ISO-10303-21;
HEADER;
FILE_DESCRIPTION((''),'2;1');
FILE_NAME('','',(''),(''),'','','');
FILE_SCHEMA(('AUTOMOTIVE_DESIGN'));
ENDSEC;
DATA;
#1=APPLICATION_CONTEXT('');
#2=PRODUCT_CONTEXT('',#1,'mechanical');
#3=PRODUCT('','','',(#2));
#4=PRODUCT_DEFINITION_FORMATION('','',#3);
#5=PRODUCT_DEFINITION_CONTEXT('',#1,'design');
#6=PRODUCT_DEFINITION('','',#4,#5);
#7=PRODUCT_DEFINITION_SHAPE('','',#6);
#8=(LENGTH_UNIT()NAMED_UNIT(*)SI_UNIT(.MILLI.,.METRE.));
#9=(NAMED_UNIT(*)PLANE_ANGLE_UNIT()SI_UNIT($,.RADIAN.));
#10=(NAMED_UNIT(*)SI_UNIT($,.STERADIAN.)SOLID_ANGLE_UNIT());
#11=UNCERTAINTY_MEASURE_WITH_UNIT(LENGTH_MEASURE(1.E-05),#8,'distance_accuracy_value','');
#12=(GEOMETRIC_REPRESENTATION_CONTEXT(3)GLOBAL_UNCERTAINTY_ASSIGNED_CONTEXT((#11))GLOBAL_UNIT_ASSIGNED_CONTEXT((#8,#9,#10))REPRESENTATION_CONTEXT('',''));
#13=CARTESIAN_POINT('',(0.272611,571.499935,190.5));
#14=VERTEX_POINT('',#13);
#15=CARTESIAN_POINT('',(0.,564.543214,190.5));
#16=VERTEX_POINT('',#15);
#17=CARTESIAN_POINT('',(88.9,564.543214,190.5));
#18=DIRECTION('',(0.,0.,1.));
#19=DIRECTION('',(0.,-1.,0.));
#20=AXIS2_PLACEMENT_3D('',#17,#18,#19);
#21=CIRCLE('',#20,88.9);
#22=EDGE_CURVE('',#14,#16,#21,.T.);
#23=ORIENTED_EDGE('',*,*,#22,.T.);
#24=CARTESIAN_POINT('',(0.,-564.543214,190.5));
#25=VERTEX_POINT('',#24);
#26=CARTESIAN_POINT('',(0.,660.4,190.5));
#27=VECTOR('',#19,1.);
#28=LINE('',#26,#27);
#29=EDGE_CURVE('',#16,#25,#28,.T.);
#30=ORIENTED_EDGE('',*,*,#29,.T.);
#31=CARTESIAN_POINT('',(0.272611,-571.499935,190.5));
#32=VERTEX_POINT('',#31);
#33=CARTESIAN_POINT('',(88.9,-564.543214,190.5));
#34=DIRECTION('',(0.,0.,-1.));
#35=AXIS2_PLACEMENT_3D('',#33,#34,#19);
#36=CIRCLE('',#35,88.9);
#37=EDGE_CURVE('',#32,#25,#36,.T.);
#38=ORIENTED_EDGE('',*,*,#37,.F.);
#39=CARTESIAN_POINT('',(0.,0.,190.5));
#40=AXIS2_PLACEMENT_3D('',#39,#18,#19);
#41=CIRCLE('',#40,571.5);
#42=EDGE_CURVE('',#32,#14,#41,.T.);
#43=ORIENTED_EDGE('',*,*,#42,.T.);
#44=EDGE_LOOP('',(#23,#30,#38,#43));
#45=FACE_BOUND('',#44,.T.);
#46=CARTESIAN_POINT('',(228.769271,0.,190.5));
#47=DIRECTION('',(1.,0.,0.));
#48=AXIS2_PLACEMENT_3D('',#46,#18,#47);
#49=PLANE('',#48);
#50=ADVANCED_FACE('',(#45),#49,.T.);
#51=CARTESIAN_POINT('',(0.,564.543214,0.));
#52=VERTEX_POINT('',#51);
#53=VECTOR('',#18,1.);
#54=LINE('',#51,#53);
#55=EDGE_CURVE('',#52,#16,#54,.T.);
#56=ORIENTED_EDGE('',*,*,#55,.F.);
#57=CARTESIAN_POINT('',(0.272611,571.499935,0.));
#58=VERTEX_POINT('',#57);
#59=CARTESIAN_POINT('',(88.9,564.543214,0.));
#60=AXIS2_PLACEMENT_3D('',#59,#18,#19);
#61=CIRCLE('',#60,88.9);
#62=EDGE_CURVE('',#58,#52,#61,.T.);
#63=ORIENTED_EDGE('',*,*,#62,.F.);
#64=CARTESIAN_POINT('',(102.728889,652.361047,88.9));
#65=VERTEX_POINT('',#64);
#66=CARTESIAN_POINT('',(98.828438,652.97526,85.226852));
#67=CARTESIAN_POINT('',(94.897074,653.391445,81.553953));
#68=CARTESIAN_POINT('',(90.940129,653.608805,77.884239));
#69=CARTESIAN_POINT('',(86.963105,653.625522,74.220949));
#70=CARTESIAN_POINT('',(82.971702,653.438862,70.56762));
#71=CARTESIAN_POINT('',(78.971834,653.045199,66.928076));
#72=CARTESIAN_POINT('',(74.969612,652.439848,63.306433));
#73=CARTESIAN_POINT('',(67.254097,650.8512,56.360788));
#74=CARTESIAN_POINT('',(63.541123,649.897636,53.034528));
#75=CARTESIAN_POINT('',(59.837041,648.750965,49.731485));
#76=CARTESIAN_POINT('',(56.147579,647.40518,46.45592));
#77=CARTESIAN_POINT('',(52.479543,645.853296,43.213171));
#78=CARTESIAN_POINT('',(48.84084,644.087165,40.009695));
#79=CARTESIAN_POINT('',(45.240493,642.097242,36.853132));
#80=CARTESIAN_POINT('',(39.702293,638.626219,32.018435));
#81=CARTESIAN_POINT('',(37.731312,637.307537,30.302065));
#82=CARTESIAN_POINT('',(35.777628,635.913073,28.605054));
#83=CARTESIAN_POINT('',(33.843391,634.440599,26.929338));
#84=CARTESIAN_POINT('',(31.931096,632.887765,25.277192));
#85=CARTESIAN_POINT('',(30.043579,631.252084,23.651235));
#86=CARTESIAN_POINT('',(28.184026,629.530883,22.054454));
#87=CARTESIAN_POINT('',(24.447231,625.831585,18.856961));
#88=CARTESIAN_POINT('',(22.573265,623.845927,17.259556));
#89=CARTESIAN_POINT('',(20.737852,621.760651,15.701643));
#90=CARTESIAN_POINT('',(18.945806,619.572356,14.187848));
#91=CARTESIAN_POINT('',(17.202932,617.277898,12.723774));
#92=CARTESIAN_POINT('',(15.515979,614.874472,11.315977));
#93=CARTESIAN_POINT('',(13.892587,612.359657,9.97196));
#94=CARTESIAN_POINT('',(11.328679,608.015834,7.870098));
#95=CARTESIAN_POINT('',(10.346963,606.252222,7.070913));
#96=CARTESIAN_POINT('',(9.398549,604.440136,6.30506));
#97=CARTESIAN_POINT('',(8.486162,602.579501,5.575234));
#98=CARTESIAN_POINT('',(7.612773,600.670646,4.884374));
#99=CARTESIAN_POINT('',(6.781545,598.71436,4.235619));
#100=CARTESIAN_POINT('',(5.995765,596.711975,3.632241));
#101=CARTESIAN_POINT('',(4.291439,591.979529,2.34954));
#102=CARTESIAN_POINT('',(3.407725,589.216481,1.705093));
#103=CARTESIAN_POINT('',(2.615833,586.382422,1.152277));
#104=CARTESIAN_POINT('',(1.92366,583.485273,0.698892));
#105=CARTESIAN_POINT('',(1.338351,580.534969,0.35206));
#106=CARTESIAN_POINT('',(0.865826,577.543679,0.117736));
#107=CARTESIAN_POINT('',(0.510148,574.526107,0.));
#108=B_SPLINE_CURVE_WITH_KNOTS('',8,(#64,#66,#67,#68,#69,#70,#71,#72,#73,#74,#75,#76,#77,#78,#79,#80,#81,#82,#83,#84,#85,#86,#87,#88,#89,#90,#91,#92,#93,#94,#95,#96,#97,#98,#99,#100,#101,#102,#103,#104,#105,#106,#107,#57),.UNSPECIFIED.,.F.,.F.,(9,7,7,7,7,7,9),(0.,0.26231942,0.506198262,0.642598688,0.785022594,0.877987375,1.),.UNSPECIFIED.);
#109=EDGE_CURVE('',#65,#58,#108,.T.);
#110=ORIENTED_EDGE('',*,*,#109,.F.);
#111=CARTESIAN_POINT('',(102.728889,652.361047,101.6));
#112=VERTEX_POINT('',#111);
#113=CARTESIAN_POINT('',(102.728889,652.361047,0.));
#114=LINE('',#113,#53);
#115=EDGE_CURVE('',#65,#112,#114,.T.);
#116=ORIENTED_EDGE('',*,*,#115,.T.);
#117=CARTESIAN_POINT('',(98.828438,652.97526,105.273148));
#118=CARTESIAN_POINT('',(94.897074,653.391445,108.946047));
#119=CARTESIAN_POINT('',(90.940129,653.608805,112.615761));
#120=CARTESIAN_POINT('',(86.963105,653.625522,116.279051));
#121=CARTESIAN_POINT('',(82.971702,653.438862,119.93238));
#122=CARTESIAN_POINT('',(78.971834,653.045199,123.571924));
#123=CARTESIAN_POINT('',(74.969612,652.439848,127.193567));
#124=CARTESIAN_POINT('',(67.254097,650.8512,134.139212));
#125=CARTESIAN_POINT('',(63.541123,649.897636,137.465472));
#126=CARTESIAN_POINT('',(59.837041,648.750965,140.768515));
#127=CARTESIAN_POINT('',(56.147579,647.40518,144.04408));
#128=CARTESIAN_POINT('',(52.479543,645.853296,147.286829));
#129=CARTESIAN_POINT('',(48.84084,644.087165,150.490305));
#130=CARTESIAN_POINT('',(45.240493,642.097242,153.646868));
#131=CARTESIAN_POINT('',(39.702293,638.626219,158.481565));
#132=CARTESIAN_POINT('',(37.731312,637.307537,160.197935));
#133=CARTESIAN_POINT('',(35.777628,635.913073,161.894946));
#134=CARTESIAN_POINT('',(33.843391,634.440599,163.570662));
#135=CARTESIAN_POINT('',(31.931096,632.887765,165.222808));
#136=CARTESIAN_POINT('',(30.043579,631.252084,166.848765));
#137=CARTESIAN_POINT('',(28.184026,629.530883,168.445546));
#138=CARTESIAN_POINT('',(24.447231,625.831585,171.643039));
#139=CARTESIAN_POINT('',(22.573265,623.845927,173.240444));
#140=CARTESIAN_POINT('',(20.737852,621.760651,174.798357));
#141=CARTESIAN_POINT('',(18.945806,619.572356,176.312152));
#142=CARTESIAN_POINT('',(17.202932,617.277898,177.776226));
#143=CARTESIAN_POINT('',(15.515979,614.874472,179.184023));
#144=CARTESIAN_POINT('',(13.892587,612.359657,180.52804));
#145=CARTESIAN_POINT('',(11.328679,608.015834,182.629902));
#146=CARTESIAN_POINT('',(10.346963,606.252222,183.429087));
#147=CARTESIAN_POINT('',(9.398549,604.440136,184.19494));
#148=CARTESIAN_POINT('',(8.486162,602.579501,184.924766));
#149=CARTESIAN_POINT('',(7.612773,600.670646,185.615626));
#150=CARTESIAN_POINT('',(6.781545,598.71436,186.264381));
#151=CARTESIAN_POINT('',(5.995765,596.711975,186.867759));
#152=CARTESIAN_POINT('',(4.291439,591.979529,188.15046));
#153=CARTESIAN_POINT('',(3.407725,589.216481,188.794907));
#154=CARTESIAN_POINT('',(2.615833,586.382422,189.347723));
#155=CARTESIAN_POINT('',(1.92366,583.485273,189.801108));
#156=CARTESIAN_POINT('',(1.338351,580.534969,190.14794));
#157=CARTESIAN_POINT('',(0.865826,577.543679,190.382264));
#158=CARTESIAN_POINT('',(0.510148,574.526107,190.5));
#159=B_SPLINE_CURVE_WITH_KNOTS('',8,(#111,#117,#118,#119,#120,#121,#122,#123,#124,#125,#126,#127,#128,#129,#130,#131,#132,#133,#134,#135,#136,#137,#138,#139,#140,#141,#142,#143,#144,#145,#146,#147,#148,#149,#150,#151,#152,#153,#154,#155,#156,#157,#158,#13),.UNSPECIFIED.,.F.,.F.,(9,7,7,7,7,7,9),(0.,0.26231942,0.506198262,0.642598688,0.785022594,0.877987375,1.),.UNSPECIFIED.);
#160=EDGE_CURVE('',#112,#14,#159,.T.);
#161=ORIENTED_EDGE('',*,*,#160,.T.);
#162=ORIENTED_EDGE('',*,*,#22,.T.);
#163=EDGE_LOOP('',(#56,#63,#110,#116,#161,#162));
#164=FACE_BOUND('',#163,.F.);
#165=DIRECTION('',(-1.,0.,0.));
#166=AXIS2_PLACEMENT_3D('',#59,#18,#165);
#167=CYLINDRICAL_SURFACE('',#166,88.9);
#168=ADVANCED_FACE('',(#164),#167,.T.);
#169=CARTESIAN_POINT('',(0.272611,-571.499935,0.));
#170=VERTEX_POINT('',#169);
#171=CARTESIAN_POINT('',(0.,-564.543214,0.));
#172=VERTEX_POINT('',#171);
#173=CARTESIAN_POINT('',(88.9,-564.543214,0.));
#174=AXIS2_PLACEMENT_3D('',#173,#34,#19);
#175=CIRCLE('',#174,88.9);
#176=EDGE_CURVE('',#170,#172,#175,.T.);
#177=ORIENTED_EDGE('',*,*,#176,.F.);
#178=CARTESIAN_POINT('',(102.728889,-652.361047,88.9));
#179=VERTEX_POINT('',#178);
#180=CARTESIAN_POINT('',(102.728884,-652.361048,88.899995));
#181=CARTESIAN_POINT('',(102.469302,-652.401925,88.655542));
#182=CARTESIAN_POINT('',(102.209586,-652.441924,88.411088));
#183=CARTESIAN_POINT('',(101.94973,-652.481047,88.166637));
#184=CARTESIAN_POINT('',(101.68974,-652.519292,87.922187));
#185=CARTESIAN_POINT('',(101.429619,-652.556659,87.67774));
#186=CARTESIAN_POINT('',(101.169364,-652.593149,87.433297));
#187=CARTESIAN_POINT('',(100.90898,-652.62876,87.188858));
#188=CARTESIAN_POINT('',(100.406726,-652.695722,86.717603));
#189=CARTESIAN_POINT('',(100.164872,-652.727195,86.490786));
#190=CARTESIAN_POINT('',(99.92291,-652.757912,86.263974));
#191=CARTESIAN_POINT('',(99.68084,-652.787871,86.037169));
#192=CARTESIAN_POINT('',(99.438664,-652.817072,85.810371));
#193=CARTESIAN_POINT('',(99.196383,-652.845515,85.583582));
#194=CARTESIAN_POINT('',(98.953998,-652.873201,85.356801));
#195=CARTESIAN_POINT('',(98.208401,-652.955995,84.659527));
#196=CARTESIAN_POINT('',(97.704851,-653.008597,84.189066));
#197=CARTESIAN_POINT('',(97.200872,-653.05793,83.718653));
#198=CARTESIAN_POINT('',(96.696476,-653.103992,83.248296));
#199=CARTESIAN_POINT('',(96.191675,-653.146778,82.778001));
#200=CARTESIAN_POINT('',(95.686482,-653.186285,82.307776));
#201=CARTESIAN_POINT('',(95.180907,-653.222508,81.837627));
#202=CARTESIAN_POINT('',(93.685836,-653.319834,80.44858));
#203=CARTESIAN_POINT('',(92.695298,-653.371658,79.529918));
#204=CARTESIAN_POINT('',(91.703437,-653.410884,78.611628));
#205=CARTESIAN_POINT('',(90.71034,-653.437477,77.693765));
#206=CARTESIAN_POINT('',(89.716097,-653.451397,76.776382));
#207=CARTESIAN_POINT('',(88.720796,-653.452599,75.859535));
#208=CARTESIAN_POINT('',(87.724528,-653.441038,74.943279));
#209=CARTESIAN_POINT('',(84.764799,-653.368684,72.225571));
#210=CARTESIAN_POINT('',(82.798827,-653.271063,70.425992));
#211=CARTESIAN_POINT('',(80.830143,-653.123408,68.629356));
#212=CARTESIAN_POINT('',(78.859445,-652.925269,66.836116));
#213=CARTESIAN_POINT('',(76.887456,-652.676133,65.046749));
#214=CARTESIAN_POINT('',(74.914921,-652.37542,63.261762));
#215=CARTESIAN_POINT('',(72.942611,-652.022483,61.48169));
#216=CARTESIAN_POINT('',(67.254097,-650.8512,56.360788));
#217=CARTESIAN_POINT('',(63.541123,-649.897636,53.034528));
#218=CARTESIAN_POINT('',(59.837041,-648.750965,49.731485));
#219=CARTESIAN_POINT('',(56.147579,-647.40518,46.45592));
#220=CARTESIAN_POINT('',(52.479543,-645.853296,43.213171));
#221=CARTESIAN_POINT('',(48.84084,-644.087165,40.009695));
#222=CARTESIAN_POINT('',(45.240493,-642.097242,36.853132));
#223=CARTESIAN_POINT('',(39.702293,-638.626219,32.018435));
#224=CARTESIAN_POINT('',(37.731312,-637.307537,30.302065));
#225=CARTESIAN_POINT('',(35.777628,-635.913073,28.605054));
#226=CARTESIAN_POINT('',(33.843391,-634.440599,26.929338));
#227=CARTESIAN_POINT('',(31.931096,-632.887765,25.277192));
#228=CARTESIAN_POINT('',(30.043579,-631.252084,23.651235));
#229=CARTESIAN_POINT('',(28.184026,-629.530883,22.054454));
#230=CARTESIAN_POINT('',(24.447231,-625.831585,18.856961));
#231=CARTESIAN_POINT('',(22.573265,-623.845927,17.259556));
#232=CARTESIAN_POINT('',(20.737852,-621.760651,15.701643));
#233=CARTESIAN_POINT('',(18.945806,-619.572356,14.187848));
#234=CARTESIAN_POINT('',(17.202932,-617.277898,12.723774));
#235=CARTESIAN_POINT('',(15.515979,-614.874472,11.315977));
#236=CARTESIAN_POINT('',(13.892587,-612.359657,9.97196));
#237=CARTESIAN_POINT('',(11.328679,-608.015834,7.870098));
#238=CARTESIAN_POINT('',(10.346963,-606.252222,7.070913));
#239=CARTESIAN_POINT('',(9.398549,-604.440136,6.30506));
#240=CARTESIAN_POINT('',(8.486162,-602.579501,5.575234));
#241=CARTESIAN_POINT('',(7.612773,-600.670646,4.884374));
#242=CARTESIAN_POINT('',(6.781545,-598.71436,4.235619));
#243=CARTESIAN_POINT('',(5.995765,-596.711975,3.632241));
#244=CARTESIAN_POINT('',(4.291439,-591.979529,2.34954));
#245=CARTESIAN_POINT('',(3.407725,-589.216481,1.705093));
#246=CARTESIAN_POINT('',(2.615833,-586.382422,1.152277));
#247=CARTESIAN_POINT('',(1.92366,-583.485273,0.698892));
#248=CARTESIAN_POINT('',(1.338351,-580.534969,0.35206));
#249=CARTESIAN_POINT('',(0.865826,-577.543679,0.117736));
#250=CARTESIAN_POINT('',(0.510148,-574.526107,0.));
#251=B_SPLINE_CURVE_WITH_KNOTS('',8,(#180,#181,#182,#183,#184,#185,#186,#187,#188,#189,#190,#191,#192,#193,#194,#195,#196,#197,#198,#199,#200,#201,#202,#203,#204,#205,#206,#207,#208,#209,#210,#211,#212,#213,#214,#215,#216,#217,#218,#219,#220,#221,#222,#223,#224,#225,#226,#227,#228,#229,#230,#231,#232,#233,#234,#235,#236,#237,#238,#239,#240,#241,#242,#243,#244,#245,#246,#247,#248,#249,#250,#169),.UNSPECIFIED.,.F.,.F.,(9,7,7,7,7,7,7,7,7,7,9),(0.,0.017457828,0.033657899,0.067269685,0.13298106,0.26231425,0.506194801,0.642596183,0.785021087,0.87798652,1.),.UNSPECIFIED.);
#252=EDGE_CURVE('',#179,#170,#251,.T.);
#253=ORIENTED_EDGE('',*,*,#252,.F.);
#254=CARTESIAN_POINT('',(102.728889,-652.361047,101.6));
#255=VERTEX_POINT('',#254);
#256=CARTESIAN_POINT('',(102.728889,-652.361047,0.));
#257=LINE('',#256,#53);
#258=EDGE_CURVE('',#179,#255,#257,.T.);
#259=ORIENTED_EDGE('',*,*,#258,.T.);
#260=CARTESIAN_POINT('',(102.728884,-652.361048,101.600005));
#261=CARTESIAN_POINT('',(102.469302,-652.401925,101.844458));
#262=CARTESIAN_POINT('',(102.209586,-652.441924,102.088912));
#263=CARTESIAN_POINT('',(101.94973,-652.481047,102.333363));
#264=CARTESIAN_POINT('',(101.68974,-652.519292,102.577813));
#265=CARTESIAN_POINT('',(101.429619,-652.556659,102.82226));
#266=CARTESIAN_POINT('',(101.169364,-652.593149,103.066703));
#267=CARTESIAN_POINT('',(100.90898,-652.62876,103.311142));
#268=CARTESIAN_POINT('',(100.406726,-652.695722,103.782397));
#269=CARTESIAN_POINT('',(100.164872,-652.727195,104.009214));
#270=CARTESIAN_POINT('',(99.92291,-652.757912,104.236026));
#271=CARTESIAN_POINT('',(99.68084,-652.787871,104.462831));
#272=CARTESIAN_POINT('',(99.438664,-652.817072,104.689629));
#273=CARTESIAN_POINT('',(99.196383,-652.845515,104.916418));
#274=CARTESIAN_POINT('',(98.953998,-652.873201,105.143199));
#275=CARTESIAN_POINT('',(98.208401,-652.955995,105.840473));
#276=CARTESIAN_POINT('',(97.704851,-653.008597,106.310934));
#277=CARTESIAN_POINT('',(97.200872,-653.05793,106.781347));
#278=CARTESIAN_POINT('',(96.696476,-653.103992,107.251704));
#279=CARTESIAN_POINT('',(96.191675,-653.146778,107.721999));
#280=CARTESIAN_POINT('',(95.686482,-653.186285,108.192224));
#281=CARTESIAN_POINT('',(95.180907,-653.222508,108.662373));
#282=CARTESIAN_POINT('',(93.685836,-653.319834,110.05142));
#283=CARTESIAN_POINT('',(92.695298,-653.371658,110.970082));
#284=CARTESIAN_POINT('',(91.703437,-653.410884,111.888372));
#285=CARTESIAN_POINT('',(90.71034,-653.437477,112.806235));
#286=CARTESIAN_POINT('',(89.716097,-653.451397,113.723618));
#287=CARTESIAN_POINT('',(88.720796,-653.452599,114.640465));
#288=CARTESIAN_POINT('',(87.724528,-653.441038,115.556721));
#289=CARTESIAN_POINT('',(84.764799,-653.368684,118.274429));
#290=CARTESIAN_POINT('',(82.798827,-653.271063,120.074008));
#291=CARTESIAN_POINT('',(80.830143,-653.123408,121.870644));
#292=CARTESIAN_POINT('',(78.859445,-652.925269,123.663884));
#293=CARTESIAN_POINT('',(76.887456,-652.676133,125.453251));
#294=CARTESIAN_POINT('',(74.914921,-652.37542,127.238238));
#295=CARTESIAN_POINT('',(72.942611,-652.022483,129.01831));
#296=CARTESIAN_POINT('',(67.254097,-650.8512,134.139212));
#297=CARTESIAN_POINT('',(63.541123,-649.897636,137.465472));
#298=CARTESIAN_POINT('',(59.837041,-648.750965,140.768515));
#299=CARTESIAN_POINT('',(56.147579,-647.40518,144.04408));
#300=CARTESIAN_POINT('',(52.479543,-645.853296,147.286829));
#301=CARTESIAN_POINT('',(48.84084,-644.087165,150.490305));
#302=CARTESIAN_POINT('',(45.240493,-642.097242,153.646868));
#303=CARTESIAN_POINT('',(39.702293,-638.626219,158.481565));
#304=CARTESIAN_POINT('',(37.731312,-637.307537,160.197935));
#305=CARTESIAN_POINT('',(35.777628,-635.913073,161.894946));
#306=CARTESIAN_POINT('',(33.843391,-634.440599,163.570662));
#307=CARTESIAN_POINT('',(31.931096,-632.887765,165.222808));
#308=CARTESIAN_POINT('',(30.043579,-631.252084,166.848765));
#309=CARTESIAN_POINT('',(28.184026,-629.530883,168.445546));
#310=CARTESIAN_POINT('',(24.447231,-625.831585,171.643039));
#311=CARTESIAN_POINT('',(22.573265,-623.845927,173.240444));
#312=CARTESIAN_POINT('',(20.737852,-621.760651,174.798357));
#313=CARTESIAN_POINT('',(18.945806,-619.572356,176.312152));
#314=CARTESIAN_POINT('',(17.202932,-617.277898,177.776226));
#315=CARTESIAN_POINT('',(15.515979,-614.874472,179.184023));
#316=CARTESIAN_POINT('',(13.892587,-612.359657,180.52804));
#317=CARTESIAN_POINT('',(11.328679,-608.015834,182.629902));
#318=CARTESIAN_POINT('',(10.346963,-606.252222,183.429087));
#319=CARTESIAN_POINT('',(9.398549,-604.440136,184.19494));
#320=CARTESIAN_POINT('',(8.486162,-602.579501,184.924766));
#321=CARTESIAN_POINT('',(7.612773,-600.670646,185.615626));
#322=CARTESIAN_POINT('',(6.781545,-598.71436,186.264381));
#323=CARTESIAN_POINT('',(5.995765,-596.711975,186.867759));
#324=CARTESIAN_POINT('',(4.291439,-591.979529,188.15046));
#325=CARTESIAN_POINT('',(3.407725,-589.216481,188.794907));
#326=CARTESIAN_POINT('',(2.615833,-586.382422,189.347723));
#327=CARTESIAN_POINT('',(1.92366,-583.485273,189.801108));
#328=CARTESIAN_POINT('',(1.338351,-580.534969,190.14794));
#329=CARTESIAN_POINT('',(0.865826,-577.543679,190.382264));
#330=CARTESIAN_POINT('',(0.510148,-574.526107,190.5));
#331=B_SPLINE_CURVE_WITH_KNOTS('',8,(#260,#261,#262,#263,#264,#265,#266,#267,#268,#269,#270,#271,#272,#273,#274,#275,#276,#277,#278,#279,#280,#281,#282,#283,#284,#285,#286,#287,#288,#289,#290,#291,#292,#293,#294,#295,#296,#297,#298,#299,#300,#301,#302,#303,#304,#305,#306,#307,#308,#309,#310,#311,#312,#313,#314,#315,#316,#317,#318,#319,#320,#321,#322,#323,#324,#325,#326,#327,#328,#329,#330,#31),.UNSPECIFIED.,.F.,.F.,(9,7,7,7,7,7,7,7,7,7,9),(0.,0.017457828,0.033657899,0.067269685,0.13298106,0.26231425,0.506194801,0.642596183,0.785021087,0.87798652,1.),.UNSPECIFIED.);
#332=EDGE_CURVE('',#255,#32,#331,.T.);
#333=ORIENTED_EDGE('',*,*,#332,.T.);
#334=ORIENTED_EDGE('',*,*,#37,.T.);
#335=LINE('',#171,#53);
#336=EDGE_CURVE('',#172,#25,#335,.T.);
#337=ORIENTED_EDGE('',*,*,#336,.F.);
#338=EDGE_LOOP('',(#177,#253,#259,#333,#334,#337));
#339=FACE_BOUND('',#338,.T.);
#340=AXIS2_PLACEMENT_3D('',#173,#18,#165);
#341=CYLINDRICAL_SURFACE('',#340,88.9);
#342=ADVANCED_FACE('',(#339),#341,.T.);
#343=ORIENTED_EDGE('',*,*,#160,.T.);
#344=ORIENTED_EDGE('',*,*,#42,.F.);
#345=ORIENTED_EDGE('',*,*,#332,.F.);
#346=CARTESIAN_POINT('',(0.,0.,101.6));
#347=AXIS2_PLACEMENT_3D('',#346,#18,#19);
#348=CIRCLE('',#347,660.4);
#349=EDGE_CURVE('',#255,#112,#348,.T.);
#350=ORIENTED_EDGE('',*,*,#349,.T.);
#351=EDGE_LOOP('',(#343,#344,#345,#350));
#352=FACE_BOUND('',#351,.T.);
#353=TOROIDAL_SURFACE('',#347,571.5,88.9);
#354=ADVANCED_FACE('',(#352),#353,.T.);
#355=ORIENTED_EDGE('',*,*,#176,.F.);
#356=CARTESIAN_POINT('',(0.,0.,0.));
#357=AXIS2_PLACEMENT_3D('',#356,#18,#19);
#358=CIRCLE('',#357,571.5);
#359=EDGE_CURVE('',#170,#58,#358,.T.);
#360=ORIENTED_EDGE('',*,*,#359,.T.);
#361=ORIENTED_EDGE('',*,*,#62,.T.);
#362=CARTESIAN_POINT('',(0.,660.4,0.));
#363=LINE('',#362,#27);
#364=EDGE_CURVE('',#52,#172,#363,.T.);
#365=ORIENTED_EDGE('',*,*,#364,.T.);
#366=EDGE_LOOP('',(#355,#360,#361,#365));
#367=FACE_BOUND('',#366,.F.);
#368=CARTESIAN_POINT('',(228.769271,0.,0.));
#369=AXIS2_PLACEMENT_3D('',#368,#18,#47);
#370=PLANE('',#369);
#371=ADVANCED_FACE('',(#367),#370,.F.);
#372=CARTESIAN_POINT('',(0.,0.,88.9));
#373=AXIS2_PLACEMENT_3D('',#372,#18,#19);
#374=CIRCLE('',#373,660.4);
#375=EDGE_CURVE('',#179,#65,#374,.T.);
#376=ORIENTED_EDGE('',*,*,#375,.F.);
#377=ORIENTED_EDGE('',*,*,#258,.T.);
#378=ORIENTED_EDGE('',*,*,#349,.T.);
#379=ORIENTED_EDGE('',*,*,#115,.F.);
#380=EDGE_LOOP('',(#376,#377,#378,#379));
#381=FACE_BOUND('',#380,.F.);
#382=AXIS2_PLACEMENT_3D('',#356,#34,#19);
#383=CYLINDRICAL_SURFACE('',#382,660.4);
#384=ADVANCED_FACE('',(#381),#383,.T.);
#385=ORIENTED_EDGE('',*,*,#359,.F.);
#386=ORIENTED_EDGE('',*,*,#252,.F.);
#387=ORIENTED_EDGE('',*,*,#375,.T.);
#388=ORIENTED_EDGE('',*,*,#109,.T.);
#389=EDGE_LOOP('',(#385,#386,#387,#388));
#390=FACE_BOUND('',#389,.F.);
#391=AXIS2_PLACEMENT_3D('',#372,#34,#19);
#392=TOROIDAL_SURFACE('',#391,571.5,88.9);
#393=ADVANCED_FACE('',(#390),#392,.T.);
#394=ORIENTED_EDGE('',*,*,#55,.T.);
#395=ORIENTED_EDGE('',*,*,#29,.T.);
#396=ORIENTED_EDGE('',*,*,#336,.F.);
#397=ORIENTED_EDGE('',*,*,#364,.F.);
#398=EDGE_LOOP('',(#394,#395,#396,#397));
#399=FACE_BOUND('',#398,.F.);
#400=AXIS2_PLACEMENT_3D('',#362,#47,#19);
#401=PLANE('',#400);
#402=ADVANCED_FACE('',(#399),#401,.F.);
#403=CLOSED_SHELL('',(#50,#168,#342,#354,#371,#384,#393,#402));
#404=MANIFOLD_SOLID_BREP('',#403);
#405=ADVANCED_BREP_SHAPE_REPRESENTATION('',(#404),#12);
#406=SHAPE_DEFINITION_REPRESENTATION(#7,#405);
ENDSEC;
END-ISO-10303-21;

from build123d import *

# Parameters (mm, degrees)
F1_DEPTH = 190.5
F2_R     = 88.9


with BuildPart() as f1:
    # F0 (on Top) → F1 (new body)
    with BuildSketch(Plane.XY):
        with BuildLine():
            Line((0, 660.4), (0, 0))
            Line((0, 0), (0, -660.4))
            ThreePointArc((0, -660.4), (660.4, 0), (0, 660.4))
        make_face()
    extrude(amount=F1_DEPTH)

    # F2
    f2_edges = [f1.edges().sort_by_distance(p)[0] for p in [
        (0, -660.4, 95.25),
        (0, 660.4, 95.25),
        (660.4, 0, 0),
        (660.4, 0, 190.5),
    ]]
    fillet(f2_edges, radius=F2_R)


solid = f1.part
